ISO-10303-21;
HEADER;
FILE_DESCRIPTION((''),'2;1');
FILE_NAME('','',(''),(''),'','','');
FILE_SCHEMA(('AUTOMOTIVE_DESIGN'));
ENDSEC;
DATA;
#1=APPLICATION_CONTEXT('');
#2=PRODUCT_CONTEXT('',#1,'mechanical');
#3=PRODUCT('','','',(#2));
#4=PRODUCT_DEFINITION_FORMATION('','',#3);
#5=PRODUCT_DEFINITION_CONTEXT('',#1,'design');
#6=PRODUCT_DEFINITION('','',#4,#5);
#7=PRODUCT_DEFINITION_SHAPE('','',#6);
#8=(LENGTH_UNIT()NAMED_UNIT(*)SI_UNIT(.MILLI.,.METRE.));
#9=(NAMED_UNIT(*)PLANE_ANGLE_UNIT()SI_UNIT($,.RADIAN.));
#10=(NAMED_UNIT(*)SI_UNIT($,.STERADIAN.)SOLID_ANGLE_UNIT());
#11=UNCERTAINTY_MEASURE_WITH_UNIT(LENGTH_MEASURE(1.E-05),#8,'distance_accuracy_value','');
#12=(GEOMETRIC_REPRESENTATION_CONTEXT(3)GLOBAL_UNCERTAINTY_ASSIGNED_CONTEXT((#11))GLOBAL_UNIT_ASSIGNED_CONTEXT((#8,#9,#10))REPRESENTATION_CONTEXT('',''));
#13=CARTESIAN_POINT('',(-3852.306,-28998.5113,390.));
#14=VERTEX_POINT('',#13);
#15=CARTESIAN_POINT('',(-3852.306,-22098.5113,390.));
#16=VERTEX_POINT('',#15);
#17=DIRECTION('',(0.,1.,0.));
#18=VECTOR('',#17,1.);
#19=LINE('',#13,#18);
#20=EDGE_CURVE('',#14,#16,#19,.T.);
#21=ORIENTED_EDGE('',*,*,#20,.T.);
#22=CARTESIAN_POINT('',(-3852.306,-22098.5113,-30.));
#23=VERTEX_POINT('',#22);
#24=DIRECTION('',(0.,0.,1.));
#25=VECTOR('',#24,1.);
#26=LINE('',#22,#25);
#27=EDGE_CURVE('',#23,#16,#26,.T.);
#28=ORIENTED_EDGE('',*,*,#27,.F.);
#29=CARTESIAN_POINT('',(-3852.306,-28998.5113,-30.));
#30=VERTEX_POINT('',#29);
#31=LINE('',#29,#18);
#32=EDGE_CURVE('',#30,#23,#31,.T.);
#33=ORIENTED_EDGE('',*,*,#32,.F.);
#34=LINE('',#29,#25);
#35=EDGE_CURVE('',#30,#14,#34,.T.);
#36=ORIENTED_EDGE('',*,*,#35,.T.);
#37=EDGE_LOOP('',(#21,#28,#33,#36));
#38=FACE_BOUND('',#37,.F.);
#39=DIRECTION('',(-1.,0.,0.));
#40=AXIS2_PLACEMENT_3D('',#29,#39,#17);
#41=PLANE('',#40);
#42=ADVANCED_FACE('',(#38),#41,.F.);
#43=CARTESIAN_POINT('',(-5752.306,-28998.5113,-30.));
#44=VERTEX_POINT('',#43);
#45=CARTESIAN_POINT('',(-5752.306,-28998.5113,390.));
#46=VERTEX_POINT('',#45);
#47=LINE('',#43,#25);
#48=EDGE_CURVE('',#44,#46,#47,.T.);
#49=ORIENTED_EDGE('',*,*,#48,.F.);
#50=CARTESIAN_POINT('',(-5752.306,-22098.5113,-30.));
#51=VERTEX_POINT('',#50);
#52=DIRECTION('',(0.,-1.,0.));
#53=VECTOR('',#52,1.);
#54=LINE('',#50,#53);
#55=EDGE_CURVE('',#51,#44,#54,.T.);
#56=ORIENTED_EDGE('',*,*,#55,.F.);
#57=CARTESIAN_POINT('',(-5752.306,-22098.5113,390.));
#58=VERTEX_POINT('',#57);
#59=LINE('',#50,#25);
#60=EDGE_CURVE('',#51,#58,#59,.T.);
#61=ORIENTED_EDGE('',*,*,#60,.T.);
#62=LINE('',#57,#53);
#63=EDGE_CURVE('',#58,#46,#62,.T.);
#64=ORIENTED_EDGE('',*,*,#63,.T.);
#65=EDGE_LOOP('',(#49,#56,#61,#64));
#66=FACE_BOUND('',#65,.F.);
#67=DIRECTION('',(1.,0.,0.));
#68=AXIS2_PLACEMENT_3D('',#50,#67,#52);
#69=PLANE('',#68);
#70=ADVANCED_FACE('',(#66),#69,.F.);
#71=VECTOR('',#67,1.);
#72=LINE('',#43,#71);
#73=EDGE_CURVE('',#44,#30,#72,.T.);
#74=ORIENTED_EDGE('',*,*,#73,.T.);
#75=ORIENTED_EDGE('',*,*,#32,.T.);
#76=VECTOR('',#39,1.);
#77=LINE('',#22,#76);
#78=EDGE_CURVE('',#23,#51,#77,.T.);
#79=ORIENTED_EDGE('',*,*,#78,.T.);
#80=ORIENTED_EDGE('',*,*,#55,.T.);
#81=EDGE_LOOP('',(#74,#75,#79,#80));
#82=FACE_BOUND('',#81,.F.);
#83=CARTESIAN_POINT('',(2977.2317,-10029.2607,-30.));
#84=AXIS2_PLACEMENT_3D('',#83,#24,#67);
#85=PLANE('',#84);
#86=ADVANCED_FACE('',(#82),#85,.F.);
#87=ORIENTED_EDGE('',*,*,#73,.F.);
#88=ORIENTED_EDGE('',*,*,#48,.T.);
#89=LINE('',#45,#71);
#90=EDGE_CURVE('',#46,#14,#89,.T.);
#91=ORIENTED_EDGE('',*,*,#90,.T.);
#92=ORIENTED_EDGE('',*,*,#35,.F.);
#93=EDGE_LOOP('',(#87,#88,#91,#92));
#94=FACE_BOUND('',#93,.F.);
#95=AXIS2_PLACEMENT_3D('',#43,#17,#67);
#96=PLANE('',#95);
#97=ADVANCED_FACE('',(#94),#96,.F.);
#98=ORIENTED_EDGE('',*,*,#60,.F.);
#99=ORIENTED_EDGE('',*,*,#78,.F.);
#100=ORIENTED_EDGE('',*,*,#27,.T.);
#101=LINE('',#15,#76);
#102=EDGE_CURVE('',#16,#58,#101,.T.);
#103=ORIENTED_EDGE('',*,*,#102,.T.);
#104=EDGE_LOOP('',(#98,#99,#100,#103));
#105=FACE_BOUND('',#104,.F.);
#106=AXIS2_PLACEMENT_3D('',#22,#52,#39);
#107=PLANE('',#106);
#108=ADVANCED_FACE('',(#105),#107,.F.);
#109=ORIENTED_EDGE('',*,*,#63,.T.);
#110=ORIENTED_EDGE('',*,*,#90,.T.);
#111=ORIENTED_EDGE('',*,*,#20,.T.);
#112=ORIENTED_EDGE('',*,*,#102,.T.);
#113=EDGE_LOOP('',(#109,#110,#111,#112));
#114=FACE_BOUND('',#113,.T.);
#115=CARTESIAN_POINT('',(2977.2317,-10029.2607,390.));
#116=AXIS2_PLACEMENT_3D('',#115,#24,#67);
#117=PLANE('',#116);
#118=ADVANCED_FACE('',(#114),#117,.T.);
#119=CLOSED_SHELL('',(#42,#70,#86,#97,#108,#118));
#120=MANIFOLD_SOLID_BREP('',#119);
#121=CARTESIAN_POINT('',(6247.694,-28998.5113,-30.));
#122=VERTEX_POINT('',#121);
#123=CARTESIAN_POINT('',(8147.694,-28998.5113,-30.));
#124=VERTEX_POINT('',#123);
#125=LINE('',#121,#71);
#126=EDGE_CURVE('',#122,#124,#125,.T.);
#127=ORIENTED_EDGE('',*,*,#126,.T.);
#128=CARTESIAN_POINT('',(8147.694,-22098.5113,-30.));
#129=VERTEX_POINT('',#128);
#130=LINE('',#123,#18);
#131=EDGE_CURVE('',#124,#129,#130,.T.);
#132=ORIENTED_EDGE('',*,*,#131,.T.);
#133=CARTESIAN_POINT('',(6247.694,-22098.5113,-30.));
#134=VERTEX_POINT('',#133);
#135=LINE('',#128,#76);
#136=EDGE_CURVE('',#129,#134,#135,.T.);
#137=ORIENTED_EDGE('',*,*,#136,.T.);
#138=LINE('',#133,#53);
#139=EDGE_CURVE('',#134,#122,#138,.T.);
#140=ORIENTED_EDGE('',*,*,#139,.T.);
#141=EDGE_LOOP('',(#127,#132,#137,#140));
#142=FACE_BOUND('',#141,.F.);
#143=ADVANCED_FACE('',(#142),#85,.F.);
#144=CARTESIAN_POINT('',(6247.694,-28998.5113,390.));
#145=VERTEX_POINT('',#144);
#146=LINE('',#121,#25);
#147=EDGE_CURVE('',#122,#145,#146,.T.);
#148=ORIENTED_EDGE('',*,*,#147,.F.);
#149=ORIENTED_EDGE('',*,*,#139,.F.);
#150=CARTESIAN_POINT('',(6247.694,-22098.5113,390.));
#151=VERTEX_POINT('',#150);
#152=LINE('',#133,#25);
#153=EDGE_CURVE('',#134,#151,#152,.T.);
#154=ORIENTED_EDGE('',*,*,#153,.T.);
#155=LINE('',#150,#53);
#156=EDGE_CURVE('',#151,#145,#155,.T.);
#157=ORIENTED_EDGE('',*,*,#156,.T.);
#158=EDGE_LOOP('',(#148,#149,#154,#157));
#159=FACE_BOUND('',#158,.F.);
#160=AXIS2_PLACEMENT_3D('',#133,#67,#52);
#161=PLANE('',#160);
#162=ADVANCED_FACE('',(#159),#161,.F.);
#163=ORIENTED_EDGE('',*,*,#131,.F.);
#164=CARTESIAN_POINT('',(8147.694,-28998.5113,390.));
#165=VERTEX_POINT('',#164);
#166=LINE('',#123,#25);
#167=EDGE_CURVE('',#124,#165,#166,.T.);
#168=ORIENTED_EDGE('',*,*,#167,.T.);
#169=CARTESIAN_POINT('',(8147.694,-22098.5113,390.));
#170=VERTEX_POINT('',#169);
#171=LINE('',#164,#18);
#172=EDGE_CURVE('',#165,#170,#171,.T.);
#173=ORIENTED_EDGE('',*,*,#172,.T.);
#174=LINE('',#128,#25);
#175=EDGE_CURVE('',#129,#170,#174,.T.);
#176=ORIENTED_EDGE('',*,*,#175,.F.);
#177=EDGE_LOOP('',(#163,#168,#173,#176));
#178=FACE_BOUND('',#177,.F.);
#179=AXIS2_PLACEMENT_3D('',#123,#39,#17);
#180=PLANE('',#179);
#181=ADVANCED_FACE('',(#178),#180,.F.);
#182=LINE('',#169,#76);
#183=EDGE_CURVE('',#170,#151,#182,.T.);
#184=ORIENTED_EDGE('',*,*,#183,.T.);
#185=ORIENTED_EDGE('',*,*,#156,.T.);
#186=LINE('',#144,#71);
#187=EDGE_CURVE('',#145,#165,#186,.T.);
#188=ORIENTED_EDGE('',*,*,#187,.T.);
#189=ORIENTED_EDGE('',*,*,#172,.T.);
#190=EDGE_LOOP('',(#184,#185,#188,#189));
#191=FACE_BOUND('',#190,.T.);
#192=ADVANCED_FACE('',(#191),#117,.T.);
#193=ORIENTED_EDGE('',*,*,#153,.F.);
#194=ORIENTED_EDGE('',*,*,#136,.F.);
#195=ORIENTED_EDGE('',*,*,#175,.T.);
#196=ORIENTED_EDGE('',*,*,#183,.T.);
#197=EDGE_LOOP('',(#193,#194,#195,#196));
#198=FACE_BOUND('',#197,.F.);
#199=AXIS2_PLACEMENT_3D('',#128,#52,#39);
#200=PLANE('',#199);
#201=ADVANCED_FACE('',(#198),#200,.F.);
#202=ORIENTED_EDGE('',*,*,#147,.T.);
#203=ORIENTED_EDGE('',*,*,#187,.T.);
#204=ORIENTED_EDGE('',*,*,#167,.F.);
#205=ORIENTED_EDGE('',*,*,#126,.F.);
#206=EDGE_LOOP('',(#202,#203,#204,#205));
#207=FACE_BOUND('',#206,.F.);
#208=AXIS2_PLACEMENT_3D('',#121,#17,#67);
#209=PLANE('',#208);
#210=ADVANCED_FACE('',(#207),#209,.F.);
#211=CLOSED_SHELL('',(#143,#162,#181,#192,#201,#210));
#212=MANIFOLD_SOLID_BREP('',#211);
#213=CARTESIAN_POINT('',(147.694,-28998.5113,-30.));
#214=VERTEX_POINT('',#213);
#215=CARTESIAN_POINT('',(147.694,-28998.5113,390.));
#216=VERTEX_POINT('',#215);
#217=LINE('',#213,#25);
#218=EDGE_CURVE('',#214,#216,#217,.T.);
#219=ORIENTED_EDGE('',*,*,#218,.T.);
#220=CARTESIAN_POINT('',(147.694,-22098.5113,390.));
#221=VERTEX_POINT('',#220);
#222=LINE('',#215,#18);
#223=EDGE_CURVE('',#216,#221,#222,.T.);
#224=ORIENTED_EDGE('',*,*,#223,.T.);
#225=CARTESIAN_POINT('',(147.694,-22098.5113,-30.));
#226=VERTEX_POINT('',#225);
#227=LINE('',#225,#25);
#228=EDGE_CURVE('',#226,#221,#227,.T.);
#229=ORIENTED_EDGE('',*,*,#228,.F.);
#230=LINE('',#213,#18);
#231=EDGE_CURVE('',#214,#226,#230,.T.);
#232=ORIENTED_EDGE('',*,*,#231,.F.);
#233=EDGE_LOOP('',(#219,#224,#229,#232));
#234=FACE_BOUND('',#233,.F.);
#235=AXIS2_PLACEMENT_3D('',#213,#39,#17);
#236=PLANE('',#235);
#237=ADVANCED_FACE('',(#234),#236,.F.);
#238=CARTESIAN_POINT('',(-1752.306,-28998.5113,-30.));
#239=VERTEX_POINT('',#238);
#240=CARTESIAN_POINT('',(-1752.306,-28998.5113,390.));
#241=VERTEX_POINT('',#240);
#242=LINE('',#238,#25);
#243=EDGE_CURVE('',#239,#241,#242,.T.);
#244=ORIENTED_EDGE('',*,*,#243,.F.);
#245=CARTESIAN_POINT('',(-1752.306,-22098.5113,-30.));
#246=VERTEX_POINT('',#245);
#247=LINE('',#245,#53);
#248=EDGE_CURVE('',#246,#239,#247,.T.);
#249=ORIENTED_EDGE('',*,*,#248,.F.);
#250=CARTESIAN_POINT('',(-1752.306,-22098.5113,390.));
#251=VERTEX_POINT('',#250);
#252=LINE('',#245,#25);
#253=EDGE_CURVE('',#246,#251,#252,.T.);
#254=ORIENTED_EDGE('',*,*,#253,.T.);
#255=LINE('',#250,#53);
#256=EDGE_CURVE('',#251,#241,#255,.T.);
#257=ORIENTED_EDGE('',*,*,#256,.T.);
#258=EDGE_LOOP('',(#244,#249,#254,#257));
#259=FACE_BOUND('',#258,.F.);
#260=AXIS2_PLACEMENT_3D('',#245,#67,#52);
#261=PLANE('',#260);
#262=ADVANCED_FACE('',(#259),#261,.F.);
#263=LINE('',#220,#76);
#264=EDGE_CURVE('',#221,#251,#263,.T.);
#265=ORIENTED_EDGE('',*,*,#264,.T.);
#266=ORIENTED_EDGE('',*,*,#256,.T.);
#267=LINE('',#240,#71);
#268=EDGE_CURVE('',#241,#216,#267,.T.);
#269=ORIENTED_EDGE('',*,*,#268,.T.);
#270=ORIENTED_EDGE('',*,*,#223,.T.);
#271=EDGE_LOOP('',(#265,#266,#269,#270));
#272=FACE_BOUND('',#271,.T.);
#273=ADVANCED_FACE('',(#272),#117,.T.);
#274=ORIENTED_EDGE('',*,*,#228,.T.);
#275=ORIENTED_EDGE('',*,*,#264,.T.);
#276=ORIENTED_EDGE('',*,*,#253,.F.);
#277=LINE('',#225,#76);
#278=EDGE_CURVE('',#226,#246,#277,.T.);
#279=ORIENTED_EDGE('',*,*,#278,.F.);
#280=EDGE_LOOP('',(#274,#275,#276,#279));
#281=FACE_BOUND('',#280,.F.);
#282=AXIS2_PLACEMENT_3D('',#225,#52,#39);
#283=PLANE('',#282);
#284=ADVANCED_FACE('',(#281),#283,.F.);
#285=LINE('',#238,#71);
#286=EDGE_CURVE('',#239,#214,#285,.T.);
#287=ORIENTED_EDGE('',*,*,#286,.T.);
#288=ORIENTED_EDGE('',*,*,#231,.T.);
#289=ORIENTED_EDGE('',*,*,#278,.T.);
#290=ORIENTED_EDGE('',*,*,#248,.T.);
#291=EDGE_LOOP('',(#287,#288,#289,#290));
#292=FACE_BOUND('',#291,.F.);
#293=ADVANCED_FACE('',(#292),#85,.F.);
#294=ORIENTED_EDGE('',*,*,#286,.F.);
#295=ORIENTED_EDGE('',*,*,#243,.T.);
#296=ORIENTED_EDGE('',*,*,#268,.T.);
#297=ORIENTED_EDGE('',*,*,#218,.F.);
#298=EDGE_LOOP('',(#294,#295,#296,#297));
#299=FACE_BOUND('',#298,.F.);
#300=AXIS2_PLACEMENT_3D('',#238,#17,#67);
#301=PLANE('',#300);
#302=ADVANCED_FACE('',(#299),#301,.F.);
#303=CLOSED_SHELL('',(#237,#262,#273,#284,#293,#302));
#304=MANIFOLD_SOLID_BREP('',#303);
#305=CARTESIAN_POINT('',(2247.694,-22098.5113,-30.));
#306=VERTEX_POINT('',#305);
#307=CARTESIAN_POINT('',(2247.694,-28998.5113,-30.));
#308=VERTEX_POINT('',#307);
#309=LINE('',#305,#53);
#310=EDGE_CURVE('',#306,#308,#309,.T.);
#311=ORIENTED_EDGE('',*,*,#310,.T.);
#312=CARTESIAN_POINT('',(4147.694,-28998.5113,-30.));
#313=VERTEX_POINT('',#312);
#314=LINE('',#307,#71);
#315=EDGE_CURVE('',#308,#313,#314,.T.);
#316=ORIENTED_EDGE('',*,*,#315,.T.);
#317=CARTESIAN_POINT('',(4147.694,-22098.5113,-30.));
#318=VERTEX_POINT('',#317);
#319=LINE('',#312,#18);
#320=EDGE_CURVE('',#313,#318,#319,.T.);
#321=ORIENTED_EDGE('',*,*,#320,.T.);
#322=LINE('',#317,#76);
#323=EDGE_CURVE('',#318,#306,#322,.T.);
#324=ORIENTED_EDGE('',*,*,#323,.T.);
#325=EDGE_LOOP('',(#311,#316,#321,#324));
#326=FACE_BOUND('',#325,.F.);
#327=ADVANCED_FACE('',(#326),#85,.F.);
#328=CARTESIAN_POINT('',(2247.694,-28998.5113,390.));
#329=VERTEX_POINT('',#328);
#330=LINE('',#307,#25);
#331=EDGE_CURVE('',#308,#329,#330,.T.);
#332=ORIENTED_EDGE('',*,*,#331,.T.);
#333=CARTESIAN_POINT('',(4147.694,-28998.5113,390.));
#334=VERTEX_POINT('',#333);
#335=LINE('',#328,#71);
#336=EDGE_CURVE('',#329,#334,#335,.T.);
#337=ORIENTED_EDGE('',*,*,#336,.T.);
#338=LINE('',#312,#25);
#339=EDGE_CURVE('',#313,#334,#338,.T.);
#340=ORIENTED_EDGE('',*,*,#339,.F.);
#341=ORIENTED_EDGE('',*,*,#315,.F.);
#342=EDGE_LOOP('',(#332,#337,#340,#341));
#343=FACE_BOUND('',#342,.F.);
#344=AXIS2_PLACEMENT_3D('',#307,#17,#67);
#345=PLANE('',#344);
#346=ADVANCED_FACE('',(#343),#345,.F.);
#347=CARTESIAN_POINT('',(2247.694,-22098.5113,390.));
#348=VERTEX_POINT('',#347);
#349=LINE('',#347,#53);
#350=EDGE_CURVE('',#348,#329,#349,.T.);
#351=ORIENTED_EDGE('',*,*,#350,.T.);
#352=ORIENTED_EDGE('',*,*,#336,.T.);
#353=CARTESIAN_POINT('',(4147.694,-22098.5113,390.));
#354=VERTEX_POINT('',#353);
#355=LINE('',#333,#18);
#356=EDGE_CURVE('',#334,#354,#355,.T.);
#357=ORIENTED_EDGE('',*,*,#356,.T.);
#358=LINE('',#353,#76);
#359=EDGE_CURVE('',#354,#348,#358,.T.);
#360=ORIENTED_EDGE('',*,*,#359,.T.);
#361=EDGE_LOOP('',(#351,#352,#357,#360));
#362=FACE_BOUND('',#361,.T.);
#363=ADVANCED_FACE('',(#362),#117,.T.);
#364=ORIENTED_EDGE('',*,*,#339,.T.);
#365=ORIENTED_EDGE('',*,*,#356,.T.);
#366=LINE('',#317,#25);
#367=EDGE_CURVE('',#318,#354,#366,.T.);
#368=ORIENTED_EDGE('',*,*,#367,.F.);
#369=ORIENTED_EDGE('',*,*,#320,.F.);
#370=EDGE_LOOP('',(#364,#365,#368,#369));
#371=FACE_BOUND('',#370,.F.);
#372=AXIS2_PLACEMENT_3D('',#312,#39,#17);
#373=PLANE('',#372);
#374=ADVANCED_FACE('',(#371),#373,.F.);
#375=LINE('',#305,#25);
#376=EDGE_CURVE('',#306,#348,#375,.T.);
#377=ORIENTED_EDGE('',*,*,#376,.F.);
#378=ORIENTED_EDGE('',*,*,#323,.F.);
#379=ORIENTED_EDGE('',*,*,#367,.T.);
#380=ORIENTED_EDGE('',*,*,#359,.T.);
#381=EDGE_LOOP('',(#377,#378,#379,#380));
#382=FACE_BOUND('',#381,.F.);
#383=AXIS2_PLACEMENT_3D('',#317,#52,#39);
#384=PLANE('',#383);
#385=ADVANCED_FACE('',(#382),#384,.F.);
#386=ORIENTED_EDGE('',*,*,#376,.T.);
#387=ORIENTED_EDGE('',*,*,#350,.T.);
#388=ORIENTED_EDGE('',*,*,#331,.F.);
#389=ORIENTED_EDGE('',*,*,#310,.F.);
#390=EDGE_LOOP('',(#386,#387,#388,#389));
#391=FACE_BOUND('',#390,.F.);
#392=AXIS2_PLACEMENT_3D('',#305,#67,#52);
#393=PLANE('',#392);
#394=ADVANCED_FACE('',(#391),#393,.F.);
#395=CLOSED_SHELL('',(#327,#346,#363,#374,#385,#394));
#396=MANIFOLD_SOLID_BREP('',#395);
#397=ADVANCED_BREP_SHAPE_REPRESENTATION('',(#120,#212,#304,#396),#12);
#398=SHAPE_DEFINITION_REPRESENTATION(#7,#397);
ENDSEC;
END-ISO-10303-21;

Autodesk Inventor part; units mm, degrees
ref_plane "YZ Plane" through (0, 0, 0) normal (1, 0, 0) x (0, 1, 0)
ref_plane "XZ Plane" through (0, 0, 0) normal (0, 1, 0) x (-1, 0, 0)
ref_plane "XY Plane" through (0, 0, 0) normal (0, 0, 1) x (1, 0, 0)
ref_plane "작업 평면1" through (2977.2317, -10029.2607, -15) normal (0, 0, 1) x (1, 0, 0)
ref_plane "작업 평면2" through (2977.2317, -10029.2607, -30) normal (0, 0, 1) x (1, 0, 0)
sketch "스케치1" plane through (2977.2317, -10029.2607, -30) normal (0, 0, 1) x (1, 0, 0)
  line L0 (5170.4623, -12069.2506) -> (3270.4623, -12069.2506)
  line L1 (3270.4623, -12069.2506) -> (3270.4623, -18969.2506)
  line L2 (3270.4623, -18969.2506) -> (5170.4623, -18969.2506)
  line L3 (5170.4623, -18969.2506) -> (5170.4623, -12069.2506)
  line L4 (1170.4623, -12069.2506) -> (-729.5377, -12069.2506)
  line L5 (-729.5377, -12069.2506) -> (-729.5377, -18969.2506)
  line L6 (-729.5377, -18969.2506) -> (1170.4623, -18969.2506)
  line L7 (1170.4623, -18969.2506) -> (1170.4623, -12069.2506)
  line L8 (-2829.5377, -12069.2506) -> (-4729.5377, -12069.2506)
  line L9 (-4729.5377, -12069.2506) -> (-4729.5377, -18969.2506)
  line L10 (-4729.5377, -18969.2506) -> (-2829.5377, -18969.2506)
  line L11 (-2829.5377, -18969.2506) -> (-2829.5377, -12069.2506)
  line L12 (-6829.5377, -12069.2506) -> (-8729.5377, -12069.2506)
  line L13 (-8729.5377, -12069.2506) -> (-8729.5377, -18969.2506)
  line L14 (-8729.5377, -18969.2506) -> (-6829.5377, -18969.2506)
  line L15 (-6829.5377, -18969.2506) -> (-6829.5377, -12069.2506)
  point P0 (-2977.2317, 10029.2607)
  dimension "d0" = 1900
  dimension "d1" = 6900
  dimension "d2" = 2100
  dimension "d3" = 1900
  dimension "d4" = 2100
  dimension "d5" = 1900
  dimension "d6" = 2100
  dimension "d7" = 1900
extrude "돌출1" add sketch "스케치1" along normal blind 420
properties part number "dirt"
